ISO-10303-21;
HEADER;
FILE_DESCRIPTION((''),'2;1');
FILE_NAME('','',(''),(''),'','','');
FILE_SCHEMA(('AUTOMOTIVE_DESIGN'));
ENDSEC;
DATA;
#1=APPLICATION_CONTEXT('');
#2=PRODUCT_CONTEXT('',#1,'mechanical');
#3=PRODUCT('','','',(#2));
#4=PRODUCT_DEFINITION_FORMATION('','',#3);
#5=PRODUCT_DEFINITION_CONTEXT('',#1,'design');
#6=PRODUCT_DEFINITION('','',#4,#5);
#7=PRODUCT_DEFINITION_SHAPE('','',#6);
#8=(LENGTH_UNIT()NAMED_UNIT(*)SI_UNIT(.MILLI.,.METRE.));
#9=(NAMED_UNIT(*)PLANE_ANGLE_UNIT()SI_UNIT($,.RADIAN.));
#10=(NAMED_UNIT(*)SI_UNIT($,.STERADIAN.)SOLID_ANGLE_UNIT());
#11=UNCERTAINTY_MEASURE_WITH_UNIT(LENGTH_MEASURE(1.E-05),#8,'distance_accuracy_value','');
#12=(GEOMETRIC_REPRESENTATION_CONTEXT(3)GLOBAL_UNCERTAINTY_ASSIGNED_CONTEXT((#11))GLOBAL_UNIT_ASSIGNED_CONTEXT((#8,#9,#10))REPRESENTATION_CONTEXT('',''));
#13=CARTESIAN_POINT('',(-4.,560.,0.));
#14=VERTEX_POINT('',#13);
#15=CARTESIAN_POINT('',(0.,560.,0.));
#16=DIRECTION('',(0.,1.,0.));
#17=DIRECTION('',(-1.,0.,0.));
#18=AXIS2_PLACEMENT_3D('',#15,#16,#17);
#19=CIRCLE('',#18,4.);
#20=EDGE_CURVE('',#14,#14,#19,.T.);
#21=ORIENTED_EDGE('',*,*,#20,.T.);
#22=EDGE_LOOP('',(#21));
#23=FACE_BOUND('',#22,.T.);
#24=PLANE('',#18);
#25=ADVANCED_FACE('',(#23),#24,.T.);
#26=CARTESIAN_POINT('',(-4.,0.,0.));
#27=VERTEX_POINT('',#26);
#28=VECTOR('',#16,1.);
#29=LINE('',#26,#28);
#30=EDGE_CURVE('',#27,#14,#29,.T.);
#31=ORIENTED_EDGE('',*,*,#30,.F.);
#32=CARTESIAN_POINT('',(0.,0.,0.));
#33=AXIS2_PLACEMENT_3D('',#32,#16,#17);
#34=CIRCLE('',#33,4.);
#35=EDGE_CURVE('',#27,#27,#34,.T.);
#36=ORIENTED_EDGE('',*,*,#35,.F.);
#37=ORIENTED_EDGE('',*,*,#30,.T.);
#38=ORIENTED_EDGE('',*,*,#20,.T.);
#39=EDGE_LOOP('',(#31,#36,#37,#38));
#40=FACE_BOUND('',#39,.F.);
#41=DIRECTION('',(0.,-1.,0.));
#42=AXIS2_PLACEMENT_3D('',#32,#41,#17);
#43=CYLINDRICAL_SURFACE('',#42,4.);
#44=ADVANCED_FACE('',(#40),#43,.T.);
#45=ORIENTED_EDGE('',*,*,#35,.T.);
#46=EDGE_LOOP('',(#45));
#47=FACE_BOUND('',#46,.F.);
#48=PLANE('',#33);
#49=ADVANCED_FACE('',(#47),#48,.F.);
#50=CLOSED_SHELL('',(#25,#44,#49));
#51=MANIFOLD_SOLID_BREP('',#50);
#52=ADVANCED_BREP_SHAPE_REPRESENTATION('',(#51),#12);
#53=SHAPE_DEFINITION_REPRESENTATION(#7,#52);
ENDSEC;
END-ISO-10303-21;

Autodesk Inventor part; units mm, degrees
ref_plane "YZ Plane" through (0, 0, 0) normal (1, 0, 0) x (0, 1, 0)
ref_plane "XZ Plane" through (0, 0, 0) normal (0, 1, 0) x (-1, 0, 0)
ref_plane "XY Plane" through (0, 0, 0) normal (0, 0, 1) x (1, 0, 0)
sketch "Sketch1" plane through (0, 0, 0) normal (0, 1, 0) x (-1, 0, 0)
  circle A0 centre (0, 0) radius 4
  dimension "d0" = 8
extrude "Extrusion1" add sketch "Sketch1" along normal blind 560
equation "\"d0\" = RodDiameter"
equation "\"d1\" = VerticalRodLenght"
equation "\"RodDiameter\" = 8"
equation "\"VerticalRodLenght\" = 560"
equation "\"VerticalBearingOD\" = 16"
equation "\"PrintingClearance\" = 0.2"
properties part number "VerticalRod"
